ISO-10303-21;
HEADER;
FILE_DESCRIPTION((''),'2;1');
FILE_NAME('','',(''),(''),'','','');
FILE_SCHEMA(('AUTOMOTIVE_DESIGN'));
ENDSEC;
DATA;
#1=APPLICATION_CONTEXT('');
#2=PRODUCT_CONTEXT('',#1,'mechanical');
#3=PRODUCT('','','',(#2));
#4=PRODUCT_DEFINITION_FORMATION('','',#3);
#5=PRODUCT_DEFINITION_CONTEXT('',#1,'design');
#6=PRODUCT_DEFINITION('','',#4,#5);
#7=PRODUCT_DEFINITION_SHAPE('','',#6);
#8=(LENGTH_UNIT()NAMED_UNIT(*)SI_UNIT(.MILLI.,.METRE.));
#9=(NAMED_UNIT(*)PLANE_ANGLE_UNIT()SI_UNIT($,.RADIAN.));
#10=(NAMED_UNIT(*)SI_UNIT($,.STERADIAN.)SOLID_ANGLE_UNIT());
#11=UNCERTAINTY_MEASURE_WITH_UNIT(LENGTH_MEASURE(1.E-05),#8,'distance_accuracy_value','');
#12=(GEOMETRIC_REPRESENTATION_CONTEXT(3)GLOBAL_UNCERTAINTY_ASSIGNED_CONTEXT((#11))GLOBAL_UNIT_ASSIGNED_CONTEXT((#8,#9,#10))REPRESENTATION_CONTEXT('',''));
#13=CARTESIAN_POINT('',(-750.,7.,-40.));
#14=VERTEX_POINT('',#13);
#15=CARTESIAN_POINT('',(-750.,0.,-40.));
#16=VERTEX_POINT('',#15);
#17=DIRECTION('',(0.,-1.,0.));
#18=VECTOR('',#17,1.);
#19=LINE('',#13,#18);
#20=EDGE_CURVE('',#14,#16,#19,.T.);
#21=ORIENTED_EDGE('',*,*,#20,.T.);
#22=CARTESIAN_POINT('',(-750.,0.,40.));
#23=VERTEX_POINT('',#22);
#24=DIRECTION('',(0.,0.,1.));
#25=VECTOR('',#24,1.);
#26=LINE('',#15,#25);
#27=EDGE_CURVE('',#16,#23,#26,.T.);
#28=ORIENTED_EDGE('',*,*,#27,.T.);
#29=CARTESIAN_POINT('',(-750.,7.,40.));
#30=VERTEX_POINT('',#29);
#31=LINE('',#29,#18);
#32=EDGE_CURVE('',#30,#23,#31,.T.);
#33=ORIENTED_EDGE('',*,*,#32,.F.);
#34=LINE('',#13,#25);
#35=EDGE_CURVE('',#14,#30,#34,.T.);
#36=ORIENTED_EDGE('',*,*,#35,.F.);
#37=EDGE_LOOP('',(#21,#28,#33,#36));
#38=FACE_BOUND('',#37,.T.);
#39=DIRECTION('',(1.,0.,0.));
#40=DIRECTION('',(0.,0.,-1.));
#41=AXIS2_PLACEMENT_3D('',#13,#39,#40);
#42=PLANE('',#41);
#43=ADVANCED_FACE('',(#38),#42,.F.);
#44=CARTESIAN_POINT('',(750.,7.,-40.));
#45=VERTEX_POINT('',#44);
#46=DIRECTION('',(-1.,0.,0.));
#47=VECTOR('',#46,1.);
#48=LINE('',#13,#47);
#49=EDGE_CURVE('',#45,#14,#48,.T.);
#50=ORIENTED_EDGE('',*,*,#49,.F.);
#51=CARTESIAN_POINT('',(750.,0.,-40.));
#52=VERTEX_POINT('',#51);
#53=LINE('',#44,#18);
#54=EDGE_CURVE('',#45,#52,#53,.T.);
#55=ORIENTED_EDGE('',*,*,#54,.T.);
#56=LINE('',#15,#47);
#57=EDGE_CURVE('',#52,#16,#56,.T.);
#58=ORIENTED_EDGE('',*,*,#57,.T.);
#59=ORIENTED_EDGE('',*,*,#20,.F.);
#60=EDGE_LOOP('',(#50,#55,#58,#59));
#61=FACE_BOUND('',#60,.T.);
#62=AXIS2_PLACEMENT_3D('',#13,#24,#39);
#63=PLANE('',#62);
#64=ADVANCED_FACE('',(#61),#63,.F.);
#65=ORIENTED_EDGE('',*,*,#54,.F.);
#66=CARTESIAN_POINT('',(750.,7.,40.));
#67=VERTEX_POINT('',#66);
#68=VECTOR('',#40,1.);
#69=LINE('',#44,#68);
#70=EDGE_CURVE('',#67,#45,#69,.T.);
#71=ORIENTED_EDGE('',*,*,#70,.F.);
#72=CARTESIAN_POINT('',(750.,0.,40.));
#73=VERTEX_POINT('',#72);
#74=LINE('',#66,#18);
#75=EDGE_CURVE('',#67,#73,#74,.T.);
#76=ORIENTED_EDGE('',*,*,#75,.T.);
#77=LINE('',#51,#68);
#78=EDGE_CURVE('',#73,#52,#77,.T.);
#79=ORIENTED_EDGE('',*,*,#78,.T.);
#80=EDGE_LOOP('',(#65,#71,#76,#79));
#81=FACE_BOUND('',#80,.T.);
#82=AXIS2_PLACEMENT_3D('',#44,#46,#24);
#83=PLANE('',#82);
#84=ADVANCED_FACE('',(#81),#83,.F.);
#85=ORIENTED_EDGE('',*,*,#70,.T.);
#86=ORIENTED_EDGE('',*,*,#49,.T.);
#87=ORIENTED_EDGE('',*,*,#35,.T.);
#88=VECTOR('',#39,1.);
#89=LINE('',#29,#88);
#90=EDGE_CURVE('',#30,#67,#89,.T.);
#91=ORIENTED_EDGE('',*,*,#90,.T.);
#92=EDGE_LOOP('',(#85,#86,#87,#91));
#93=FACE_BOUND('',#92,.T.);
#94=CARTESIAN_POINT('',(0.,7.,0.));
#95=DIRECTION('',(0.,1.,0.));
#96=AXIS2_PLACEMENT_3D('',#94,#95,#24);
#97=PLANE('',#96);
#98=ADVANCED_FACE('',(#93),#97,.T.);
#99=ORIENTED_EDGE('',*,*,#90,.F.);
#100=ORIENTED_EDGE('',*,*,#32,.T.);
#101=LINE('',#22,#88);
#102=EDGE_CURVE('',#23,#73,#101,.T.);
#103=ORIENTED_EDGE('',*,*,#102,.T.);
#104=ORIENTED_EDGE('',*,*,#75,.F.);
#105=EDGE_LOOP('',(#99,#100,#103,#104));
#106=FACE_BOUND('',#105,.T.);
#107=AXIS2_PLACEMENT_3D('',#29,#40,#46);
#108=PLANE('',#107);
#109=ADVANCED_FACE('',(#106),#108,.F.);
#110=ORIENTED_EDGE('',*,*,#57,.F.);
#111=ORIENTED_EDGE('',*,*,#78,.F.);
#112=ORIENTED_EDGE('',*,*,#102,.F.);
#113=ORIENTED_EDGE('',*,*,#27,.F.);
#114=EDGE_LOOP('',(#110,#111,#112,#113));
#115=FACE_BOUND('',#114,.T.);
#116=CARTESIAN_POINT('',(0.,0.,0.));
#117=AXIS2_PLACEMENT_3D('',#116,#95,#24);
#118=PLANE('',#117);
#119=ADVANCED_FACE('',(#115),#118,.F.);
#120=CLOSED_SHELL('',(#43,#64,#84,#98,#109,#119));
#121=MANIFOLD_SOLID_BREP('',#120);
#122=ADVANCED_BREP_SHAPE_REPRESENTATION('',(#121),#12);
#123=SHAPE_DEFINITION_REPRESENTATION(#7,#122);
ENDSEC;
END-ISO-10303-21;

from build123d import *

# Parameters (mm, degrees)
SKIZZE1_W                       = 1500
SKIZZE1_H                       = 80
AUFSATZ_LINEAR_AUSTRAGEN1_DEPTH = 7


with BuildPart() as part:
    # Skizze1 → Aufsatz-Linear austragen1 (new body)
    with BuildSketch(Plane(origin=(0, 0, 0), x_dir=(1, 0, 0), z_dir=(0, 1, 0))):
        Rectangle(SKIZZE1_W, SKIZZE1_H)
    extrude(amount=AUFSATZ_LINEAR_AUSTRAGEN1_DEPTH)


solid = part.part
